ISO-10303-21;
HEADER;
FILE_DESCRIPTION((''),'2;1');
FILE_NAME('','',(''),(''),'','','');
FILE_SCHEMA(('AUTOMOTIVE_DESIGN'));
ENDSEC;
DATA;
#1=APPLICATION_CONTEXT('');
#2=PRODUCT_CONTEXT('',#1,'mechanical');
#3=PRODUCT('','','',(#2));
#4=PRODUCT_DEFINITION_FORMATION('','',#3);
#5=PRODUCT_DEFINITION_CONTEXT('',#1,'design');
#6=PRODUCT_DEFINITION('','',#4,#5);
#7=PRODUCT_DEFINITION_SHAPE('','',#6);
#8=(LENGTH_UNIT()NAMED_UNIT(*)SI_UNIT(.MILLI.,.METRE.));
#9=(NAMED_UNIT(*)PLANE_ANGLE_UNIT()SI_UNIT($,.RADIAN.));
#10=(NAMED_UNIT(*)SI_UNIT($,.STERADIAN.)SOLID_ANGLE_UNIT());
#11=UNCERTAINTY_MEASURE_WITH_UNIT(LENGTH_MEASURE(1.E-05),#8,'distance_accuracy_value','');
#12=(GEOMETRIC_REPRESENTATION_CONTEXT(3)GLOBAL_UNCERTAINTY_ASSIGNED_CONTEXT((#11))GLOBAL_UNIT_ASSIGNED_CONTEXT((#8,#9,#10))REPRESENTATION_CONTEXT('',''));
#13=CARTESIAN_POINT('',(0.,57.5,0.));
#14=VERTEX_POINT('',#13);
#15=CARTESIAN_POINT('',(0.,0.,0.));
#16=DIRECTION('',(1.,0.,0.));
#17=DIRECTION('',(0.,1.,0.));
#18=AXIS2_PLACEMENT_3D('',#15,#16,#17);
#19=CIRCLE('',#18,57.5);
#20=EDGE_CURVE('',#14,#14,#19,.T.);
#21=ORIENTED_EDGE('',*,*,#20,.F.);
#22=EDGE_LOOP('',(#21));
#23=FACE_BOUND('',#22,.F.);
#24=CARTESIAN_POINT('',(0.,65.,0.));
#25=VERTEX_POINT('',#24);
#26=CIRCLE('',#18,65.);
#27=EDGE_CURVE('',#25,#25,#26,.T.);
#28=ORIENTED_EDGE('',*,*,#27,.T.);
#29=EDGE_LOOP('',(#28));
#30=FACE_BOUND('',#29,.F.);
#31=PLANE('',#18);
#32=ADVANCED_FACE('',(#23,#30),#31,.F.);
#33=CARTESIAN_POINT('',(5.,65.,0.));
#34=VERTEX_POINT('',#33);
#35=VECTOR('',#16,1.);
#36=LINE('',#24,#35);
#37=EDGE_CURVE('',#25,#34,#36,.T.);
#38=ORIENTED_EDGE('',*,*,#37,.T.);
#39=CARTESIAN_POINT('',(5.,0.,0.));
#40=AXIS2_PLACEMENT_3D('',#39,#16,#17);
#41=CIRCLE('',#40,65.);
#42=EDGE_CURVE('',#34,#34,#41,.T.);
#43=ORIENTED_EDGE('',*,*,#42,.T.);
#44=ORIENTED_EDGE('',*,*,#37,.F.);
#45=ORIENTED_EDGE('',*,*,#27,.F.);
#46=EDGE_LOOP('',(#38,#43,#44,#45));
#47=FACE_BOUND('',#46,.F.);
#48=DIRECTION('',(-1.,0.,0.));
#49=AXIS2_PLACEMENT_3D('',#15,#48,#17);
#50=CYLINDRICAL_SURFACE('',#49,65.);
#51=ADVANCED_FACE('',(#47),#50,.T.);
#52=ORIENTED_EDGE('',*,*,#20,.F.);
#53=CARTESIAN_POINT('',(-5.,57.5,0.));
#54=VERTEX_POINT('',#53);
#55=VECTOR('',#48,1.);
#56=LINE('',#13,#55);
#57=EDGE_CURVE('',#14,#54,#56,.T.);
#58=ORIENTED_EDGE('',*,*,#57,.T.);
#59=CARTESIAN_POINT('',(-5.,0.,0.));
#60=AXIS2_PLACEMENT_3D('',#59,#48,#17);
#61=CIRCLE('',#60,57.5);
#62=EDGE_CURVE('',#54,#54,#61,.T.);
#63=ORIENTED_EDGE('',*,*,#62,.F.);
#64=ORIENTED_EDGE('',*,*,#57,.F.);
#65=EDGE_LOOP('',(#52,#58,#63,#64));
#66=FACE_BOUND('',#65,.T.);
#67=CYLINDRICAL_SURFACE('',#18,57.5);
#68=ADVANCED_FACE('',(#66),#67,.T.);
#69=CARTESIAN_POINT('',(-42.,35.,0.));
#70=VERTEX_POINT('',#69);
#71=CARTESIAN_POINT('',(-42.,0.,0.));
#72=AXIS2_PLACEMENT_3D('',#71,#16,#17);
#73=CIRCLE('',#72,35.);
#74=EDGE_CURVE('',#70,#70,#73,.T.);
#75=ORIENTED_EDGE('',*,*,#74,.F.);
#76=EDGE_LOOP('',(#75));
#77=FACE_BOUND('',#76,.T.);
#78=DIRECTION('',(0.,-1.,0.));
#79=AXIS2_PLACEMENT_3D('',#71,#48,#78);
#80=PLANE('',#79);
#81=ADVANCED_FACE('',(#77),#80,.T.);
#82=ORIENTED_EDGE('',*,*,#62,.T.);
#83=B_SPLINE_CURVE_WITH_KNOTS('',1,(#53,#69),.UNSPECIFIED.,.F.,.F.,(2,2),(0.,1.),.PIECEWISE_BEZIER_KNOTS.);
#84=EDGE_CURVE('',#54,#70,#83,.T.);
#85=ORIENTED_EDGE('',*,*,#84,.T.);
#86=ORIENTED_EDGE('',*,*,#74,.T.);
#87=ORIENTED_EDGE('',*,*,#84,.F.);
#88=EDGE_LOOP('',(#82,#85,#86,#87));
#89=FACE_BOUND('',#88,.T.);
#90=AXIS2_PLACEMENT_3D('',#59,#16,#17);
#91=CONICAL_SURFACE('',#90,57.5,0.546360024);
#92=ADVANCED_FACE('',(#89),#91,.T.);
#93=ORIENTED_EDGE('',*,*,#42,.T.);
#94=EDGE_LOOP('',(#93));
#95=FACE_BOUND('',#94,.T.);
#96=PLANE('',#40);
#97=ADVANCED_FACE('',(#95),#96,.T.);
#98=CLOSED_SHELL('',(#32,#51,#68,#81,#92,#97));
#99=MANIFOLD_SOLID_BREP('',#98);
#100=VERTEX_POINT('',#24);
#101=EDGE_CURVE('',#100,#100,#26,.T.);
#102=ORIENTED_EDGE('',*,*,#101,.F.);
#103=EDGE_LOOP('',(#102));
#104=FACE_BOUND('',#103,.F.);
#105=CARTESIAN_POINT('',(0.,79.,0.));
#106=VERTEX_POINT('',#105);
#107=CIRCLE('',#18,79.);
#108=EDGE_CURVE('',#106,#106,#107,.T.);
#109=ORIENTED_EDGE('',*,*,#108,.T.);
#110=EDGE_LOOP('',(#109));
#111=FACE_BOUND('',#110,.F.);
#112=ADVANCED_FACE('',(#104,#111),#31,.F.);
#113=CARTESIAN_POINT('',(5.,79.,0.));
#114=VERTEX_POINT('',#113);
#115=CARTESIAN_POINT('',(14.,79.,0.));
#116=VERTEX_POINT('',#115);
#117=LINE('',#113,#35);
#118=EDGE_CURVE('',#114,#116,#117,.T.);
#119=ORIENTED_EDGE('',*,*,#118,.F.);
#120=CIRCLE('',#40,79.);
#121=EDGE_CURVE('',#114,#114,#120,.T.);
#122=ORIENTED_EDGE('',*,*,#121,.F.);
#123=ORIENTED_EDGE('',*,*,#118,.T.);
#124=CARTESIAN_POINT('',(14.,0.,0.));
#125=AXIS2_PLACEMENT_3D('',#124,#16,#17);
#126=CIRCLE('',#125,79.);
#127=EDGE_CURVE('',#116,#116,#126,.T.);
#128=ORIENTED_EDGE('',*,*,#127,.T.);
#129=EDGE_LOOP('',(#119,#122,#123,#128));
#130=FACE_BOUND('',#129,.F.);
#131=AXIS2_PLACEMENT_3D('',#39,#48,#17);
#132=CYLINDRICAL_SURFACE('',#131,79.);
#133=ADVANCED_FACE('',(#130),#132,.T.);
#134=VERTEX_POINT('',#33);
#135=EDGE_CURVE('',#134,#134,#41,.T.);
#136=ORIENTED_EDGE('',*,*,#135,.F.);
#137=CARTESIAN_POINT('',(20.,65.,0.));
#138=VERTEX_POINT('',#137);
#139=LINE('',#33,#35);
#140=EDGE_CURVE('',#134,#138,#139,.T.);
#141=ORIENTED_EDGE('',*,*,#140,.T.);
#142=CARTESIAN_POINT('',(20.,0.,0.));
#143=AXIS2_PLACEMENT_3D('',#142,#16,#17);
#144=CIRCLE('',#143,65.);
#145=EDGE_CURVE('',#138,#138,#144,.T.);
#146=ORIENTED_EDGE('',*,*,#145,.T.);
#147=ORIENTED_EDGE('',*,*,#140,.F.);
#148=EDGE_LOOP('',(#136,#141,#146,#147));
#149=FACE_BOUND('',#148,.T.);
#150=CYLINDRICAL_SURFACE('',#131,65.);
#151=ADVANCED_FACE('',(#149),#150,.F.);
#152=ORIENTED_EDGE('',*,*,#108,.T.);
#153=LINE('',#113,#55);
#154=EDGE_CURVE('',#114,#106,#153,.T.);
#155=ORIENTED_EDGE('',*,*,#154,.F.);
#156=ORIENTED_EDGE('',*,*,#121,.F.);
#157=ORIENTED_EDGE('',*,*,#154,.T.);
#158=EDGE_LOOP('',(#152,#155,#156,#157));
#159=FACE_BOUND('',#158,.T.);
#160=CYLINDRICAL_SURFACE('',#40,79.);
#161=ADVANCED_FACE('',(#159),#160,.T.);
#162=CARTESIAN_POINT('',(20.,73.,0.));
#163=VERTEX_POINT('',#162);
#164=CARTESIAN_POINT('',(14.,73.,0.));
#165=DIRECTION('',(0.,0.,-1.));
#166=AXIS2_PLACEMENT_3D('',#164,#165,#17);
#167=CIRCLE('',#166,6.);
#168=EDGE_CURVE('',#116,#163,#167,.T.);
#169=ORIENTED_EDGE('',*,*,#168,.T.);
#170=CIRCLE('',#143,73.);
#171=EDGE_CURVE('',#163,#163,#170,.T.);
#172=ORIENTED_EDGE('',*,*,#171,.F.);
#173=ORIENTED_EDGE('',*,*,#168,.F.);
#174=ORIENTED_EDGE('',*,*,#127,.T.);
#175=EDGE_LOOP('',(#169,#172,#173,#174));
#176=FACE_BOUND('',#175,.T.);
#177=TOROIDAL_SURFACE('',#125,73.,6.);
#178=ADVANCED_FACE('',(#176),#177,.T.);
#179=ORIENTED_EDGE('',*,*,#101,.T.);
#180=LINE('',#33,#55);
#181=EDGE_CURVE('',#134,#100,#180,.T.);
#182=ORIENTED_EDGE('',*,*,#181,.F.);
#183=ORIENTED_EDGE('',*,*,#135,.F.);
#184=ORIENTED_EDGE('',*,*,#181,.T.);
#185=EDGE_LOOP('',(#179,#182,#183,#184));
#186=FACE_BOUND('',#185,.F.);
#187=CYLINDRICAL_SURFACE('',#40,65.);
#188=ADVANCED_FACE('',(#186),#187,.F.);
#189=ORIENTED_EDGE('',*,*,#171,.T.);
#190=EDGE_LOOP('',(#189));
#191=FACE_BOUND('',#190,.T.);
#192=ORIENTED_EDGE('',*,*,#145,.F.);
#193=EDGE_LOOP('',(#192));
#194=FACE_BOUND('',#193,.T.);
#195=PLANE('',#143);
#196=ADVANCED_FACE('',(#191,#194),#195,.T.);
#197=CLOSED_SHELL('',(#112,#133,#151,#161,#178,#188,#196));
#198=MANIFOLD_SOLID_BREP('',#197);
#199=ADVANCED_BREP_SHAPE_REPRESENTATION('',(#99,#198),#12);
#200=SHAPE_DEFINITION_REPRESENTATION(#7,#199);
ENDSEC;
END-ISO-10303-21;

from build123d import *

# Parameters (mm, degrees)
F0_R      = 65
F1_DEPTH  = 5
F2_R      = 57.5
F3_DEPTH  = 5
F3_FACE_R = 57.5
F5_R      = 35
F7_R      = 79
F7_R_2    = 65
F8_DEPTH  = 5
F9_DEPTH  = 15
F10_R     = 6


with BuildPart() as f1:
    # F0 (on Right) → F1 (new body)
    with BuildSketch(Plane.YZ):
        Circle(F0_R)
    extrude(amount=F1_DEPTH)

    # F2 (on Right) → F3 (join)
    with BuildSketch(Plane.YZ):
        Circle(F2_R)
    extrude(amount=-F3_DEPTH)

    # F3_face (on face) → F6 section 0
    with BuildSketch(Plane(origin=(-5, 0, 0), x_dir=(0, 1, 0), z_dir=(-1, 0, 0))):
        Circle(F3_FACE_R)
    # F5 (on offset) → F6 section 1
    with BuildSketch(Plane(origin=(-42, 0, 0), x_dir=(0, -1, 0), z_dir=(-1, 0, 0))):
        Circle(F5_R)
    loft()


with BuildPart() as f8:
    # F7 (on face) → F8 (new body)
    with BuildSketch(Plane.YZ.offset(5)):
        Circle(F7_R)
        Circle(F7_R_2, mode=Mode.SUBTRACT)
    extrude(amount=-F8_DEPTH)

    # F9 (add): a face of the model
    f9_faces = [f8.faces().sort_by_distance(p)[0] for p in [
        (5, -76.7655425715, 0),
    ]]
    extrude(f9_faces, amount=F9_DEPTH)

    # F10
    f10_edges = [f8.edges().sort_by_distance(p)[0] for p in [
        (20, -79, 0),
    ]]
    fillet(f10_edges, radius=F10_R)


solid = Compound([f1.part, f8.part])
